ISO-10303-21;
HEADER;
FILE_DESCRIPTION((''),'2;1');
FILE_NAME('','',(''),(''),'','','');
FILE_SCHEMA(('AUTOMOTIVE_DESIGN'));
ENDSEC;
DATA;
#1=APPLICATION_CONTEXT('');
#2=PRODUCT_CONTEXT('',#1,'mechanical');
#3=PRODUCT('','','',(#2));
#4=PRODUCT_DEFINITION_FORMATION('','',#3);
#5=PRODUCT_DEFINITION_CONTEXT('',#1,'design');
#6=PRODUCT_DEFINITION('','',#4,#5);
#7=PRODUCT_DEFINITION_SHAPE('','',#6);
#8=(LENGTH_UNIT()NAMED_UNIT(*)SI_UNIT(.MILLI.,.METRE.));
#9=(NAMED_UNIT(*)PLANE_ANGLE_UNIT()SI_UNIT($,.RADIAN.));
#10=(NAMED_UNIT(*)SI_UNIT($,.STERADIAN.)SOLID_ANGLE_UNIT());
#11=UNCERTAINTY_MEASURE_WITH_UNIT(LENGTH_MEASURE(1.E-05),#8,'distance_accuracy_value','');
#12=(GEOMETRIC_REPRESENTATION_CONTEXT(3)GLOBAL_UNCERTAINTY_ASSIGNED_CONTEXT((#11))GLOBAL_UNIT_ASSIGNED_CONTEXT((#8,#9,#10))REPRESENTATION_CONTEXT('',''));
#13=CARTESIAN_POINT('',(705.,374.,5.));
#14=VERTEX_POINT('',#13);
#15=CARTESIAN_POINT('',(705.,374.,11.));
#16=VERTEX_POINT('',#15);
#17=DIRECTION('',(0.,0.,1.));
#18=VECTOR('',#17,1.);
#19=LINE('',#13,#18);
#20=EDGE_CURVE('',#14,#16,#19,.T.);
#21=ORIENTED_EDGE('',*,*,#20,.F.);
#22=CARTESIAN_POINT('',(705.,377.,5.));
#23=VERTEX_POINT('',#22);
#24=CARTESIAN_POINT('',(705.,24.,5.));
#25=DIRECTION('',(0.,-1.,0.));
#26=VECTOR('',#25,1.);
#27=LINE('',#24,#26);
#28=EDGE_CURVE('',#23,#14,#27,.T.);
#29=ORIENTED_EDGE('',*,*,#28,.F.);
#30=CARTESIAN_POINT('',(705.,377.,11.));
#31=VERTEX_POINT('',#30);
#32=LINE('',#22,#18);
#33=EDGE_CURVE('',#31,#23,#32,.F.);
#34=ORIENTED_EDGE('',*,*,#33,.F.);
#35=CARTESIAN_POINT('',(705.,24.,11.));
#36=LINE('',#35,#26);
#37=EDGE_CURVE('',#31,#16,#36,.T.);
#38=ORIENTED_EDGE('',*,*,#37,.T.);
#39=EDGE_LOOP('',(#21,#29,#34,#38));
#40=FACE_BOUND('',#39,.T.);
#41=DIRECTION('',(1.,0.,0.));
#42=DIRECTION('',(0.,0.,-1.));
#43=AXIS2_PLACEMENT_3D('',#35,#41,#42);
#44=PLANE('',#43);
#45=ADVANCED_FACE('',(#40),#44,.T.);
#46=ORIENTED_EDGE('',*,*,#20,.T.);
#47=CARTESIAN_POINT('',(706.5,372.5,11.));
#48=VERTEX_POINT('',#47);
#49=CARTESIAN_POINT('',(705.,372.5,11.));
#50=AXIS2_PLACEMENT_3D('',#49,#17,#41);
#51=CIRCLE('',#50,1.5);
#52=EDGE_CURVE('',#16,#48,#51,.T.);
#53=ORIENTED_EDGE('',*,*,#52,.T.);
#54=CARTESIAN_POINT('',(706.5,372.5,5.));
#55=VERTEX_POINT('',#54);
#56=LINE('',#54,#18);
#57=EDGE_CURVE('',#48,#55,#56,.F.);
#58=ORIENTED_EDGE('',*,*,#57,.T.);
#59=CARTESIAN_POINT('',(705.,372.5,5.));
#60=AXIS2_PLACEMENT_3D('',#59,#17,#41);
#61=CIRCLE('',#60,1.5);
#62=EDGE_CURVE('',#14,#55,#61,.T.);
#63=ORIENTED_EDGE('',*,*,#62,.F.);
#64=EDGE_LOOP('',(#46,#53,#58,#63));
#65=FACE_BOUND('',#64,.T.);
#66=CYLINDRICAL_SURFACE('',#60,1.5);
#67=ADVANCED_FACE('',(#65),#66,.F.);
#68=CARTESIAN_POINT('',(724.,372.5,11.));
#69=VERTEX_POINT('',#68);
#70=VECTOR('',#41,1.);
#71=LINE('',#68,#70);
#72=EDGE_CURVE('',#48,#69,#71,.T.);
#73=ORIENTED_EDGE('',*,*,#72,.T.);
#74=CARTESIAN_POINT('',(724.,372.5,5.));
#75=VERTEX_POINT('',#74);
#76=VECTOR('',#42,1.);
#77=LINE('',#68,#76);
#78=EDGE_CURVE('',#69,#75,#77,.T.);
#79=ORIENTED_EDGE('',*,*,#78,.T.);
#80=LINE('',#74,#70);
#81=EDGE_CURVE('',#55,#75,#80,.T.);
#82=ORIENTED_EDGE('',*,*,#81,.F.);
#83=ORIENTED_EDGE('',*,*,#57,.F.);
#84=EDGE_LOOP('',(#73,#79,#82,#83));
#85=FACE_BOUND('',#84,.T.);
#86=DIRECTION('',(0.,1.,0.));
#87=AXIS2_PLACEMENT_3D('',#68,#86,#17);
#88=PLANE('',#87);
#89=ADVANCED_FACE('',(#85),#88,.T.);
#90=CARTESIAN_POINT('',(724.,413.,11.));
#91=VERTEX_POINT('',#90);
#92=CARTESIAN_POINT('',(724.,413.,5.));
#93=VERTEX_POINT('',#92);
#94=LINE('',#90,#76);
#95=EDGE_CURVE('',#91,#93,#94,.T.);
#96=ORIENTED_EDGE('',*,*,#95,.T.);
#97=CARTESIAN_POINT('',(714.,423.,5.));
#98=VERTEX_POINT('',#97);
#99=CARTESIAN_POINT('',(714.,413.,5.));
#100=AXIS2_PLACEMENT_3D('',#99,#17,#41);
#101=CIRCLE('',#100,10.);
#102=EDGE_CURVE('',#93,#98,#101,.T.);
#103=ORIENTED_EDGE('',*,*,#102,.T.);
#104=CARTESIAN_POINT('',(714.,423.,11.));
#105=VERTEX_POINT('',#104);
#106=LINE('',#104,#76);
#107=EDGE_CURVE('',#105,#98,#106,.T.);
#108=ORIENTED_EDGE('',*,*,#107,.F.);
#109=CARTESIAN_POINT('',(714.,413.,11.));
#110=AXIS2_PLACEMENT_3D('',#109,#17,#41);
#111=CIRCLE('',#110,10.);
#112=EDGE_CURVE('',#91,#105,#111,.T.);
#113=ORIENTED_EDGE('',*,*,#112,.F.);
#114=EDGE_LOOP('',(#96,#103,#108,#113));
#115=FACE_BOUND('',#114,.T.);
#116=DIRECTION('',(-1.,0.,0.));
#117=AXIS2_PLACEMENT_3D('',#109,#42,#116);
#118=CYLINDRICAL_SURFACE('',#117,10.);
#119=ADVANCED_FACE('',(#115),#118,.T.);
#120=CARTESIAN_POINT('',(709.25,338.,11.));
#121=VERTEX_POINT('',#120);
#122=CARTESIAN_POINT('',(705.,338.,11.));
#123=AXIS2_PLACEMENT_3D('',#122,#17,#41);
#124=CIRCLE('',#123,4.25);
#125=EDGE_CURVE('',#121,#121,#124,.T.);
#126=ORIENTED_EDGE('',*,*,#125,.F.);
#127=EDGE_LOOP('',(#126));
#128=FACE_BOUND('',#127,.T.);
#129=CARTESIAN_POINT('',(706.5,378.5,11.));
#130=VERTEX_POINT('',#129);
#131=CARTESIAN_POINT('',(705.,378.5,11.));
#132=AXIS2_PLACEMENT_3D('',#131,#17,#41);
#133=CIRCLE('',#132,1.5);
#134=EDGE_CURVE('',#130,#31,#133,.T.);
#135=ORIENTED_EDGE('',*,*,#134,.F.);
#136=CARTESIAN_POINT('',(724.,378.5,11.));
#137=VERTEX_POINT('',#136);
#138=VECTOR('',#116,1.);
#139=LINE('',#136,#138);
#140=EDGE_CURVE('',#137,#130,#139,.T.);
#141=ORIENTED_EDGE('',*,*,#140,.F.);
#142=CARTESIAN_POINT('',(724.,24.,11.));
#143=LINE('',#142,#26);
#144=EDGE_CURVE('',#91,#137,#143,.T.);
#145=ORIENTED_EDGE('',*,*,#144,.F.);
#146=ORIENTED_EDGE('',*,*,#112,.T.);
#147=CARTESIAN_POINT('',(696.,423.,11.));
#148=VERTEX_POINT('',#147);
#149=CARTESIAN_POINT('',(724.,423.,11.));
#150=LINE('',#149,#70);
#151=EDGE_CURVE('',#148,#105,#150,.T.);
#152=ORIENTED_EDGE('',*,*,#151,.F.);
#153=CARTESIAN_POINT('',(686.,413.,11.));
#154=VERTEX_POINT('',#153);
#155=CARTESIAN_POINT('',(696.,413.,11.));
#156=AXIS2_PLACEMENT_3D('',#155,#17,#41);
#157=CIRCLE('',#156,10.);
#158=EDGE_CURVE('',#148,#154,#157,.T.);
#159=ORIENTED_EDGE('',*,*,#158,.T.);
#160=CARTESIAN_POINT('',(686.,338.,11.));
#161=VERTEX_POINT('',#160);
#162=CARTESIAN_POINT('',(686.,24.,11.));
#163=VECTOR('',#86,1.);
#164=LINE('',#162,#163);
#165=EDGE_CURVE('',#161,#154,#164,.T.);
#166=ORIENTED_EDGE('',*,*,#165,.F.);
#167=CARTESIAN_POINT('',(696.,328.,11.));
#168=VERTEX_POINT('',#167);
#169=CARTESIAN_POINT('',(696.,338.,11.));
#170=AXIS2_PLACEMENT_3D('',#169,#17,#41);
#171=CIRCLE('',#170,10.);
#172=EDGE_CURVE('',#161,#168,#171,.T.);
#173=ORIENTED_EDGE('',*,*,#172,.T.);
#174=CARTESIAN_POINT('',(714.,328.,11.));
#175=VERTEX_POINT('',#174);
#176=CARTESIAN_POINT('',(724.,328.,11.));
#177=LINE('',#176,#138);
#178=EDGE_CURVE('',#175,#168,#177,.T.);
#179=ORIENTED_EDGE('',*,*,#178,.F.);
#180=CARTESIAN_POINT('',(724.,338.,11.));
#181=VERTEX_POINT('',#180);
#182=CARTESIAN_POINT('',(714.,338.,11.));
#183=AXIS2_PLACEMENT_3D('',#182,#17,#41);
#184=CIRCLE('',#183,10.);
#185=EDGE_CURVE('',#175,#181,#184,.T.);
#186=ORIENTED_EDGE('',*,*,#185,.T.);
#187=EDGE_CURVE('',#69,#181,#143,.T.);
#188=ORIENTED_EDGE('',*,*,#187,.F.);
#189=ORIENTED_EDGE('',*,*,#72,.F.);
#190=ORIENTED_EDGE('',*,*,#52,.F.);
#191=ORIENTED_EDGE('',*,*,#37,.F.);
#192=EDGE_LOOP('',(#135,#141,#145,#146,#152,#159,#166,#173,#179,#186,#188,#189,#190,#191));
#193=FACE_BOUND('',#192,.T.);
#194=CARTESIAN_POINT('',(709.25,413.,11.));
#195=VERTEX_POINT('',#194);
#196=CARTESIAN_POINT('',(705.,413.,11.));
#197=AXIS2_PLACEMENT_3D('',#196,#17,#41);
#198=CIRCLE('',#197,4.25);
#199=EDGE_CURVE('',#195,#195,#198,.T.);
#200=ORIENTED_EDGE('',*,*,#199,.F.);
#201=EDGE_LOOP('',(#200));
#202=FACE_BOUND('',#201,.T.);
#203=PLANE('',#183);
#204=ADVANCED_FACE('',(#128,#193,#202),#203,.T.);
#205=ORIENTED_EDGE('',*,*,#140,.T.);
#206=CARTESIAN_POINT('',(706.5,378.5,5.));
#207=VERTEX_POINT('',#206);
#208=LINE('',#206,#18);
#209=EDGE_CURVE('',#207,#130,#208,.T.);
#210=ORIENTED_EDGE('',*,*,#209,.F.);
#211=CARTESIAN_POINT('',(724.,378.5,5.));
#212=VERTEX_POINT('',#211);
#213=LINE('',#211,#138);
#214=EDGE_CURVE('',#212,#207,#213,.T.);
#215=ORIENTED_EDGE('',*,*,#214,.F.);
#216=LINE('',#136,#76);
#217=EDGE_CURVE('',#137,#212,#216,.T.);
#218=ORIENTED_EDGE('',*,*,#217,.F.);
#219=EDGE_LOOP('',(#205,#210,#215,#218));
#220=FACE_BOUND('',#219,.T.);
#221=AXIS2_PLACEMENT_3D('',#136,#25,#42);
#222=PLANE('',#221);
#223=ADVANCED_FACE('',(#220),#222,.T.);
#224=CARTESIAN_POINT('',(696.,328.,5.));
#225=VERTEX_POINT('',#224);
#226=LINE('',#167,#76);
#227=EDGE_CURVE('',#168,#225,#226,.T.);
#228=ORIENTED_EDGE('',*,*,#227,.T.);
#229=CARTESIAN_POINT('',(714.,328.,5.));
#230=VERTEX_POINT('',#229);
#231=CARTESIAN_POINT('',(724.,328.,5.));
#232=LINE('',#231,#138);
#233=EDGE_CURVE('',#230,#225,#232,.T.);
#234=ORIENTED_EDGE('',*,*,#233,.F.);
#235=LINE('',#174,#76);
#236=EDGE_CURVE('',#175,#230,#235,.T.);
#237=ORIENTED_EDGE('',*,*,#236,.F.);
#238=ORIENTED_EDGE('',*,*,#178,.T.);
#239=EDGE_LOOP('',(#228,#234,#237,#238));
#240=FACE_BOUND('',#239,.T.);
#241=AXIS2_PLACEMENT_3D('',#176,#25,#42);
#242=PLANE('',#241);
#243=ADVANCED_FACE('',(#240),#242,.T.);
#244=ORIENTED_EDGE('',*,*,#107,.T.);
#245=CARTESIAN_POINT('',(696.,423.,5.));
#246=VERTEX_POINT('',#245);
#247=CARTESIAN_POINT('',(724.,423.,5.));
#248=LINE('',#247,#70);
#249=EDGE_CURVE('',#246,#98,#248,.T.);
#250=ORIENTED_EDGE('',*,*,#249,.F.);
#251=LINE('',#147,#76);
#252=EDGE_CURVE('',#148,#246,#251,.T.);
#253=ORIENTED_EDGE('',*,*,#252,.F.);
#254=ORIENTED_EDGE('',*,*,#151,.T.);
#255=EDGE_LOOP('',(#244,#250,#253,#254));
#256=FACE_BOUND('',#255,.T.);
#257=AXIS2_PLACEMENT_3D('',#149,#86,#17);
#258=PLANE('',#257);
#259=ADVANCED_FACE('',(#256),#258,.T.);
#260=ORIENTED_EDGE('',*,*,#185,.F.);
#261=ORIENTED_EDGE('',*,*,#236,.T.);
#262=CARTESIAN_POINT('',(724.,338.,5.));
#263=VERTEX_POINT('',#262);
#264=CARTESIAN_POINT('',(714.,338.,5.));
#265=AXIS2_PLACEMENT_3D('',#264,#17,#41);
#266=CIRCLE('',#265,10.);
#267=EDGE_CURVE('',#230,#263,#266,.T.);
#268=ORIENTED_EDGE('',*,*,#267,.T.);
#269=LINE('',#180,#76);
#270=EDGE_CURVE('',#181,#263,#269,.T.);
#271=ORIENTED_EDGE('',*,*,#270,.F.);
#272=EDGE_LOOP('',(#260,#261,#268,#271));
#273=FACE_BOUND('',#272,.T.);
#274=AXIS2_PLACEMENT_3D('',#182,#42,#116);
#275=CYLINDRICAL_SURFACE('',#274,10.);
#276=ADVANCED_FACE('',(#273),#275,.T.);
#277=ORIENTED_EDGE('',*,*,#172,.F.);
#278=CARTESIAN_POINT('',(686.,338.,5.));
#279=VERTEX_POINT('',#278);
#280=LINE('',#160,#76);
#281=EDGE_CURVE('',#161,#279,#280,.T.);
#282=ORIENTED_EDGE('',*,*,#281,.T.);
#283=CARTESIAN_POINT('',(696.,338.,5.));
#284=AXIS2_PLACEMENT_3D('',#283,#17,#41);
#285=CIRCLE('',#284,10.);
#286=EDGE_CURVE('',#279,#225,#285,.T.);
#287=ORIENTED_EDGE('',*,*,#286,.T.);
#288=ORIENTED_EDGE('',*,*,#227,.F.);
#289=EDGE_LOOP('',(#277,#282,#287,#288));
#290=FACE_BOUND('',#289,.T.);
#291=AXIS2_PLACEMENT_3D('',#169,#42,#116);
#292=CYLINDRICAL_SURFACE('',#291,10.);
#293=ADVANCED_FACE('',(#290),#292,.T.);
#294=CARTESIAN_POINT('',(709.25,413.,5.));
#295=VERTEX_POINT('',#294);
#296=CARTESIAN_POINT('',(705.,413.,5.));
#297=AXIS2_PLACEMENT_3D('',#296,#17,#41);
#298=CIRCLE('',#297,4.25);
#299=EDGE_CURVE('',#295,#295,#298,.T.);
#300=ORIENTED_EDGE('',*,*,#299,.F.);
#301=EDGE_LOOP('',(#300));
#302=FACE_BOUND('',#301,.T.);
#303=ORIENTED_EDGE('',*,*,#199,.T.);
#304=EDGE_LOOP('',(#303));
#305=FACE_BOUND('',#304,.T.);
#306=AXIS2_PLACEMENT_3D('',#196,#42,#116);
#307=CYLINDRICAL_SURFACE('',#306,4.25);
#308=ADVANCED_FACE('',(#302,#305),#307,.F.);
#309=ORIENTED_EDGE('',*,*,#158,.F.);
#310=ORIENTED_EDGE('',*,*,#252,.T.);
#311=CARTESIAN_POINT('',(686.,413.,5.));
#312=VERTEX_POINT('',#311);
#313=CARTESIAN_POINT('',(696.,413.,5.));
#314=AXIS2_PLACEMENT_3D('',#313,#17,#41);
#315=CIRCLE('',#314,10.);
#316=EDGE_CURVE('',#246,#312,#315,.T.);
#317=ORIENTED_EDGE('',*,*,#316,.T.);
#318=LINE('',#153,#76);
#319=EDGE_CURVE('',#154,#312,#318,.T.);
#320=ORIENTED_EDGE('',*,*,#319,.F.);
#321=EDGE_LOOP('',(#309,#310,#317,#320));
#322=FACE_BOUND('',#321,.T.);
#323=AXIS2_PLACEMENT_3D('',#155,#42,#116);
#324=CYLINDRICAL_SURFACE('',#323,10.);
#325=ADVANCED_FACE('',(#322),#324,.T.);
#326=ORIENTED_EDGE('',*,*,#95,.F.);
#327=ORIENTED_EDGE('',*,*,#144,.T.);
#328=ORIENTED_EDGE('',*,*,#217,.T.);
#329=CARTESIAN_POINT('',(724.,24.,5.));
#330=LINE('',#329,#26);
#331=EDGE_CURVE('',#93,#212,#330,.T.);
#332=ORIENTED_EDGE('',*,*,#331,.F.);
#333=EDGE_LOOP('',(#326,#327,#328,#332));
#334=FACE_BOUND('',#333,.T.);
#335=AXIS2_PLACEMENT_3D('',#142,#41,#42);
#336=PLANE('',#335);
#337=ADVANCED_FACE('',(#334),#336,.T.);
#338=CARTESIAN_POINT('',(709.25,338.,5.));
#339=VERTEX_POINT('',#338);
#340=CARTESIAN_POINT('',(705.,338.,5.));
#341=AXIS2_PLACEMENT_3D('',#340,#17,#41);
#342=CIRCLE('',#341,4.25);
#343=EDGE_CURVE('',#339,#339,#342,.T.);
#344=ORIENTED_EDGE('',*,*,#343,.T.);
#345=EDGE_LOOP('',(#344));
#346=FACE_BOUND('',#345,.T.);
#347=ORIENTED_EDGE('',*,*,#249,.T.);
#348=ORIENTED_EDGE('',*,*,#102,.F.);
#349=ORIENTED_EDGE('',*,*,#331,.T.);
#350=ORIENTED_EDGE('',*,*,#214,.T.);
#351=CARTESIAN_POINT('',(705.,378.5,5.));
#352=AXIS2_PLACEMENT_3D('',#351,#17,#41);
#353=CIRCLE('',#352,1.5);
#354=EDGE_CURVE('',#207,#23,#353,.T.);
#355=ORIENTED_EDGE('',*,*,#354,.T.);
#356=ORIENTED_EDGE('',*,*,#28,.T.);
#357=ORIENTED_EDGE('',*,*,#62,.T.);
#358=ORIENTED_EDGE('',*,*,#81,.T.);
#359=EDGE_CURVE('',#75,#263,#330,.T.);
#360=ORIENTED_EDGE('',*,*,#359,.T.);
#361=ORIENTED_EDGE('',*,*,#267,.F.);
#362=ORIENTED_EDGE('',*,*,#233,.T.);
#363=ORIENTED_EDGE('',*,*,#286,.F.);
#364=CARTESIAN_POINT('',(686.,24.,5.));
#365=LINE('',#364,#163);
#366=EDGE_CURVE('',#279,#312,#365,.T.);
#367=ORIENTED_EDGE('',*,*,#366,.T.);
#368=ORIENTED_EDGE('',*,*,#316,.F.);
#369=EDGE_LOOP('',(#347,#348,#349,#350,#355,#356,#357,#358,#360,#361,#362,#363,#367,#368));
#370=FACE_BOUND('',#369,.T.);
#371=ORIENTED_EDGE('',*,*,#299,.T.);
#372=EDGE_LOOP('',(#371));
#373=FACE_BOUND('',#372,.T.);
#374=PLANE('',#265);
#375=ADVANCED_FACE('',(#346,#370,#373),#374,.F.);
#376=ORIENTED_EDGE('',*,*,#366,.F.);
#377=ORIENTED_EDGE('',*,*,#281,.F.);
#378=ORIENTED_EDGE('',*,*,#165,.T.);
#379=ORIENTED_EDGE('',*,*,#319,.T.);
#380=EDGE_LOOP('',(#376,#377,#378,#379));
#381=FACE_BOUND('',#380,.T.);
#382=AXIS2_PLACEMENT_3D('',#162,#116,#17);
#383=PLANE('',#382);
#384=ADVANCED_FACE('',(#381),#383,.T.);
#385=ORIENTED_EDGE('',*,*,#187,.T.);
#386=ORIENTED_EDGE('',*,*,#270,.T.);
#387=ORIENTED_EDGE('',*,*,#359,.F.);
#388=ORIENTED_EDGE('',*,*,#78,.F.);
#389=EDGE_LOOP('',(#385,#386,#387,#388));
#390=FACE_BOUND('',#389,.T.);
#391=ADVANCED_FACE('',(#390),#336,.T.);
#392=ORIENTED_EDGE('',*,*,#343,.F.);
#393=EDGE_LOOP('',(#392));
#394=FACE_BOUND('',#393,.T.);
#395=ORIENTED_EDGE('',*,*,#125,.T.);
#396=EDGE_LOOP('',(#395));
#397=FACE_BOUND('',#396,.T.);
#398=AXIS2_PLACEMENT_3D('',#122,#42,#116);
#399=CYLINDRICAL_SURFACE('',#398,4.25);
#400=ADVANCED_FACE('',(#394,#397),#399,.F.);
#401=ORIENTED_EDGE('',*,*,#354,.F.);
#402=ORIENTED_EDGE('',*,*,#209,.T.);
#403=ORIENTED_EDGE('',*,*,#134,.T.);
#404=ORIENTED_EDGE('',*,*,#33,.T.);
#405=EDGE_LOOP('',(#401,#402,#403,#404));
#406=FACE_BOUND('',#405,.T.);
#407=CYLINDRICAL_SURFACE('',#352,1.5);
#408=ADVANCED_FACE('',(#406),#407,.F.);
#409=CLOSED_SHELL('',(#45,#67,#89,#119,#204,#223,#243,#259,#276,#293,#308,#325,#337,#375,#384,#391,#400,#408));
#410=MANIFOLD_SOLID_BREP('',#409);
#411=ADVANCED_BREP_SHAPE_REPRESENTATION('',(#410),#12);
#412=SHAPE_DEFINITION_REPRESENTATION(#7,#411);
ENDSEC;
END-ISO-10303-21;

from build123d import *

# Parameters (mm, degrees)
BOSS_EXTRUDE1_START = 5
SKETCH1_R           = 4.25
BOSS_EXTRUDE1_DEPTH = 6
SKETCH3_R           = 1.5
CUT_EXTRUDE1_DEPTH  = 839.535032065


with BuildPart() as part:
    # Sketch1 → Boss-Extrude1 (new body)
    with BuildSketch(Plane.XY.offset(BOSS_EXTRUDE1_START)):
        with BuildLine():
            Line((724, 378.5), (724, 413))
            ThreePointArc((724, 413), (721.071067812, 420.071067812), (714, 423))
            Line((714, 423), (696, 423))
            ThreePointArc((696, 423), (688.928932188, 420.071067812), (686, 413))
            Line((686, 413), (686, 338))
            ThreePointArc((686, 338), (688.928932188, 330.928932188), (696, 328))
            Line((696, 328), (714, 328))
            ThreePointArc((714, 328), (721.071067812, 330.928932188), (724, 338))
            Line((724, 338), (724, 372.5))
            Line((724, 372.5), (705, 372.5))
            Line((705, 372.5), (705, 378.5))
            Line((705, 378.5), (724, 378.5))
        make_face()
        with Locations((705, 338)):
            Circle(SKETCH1_R, mode=Mode.SUBTRACT)
        with Locations((705, 413)):
            Circle(SKETCH1_R, mode=Mode.SUBTRACT)
    extrude(amount=BOSS_EXTRUDE1_DEPTH)

    # Sketch3 → Cut-Extrude1 (cut, through all)
    with BuildSketch(Plane.XY.offset(11)):
        with Locations((705, 378.5)):
            Circle(SKETCH3_R)
        with Locations((705, 372.5)):
            Circle(SKETCH3_R)
    extrude(amount=-CUT_EXTRUDE1_DEPTH, mode=Mode.SUBTRACT)


solid = part.part
